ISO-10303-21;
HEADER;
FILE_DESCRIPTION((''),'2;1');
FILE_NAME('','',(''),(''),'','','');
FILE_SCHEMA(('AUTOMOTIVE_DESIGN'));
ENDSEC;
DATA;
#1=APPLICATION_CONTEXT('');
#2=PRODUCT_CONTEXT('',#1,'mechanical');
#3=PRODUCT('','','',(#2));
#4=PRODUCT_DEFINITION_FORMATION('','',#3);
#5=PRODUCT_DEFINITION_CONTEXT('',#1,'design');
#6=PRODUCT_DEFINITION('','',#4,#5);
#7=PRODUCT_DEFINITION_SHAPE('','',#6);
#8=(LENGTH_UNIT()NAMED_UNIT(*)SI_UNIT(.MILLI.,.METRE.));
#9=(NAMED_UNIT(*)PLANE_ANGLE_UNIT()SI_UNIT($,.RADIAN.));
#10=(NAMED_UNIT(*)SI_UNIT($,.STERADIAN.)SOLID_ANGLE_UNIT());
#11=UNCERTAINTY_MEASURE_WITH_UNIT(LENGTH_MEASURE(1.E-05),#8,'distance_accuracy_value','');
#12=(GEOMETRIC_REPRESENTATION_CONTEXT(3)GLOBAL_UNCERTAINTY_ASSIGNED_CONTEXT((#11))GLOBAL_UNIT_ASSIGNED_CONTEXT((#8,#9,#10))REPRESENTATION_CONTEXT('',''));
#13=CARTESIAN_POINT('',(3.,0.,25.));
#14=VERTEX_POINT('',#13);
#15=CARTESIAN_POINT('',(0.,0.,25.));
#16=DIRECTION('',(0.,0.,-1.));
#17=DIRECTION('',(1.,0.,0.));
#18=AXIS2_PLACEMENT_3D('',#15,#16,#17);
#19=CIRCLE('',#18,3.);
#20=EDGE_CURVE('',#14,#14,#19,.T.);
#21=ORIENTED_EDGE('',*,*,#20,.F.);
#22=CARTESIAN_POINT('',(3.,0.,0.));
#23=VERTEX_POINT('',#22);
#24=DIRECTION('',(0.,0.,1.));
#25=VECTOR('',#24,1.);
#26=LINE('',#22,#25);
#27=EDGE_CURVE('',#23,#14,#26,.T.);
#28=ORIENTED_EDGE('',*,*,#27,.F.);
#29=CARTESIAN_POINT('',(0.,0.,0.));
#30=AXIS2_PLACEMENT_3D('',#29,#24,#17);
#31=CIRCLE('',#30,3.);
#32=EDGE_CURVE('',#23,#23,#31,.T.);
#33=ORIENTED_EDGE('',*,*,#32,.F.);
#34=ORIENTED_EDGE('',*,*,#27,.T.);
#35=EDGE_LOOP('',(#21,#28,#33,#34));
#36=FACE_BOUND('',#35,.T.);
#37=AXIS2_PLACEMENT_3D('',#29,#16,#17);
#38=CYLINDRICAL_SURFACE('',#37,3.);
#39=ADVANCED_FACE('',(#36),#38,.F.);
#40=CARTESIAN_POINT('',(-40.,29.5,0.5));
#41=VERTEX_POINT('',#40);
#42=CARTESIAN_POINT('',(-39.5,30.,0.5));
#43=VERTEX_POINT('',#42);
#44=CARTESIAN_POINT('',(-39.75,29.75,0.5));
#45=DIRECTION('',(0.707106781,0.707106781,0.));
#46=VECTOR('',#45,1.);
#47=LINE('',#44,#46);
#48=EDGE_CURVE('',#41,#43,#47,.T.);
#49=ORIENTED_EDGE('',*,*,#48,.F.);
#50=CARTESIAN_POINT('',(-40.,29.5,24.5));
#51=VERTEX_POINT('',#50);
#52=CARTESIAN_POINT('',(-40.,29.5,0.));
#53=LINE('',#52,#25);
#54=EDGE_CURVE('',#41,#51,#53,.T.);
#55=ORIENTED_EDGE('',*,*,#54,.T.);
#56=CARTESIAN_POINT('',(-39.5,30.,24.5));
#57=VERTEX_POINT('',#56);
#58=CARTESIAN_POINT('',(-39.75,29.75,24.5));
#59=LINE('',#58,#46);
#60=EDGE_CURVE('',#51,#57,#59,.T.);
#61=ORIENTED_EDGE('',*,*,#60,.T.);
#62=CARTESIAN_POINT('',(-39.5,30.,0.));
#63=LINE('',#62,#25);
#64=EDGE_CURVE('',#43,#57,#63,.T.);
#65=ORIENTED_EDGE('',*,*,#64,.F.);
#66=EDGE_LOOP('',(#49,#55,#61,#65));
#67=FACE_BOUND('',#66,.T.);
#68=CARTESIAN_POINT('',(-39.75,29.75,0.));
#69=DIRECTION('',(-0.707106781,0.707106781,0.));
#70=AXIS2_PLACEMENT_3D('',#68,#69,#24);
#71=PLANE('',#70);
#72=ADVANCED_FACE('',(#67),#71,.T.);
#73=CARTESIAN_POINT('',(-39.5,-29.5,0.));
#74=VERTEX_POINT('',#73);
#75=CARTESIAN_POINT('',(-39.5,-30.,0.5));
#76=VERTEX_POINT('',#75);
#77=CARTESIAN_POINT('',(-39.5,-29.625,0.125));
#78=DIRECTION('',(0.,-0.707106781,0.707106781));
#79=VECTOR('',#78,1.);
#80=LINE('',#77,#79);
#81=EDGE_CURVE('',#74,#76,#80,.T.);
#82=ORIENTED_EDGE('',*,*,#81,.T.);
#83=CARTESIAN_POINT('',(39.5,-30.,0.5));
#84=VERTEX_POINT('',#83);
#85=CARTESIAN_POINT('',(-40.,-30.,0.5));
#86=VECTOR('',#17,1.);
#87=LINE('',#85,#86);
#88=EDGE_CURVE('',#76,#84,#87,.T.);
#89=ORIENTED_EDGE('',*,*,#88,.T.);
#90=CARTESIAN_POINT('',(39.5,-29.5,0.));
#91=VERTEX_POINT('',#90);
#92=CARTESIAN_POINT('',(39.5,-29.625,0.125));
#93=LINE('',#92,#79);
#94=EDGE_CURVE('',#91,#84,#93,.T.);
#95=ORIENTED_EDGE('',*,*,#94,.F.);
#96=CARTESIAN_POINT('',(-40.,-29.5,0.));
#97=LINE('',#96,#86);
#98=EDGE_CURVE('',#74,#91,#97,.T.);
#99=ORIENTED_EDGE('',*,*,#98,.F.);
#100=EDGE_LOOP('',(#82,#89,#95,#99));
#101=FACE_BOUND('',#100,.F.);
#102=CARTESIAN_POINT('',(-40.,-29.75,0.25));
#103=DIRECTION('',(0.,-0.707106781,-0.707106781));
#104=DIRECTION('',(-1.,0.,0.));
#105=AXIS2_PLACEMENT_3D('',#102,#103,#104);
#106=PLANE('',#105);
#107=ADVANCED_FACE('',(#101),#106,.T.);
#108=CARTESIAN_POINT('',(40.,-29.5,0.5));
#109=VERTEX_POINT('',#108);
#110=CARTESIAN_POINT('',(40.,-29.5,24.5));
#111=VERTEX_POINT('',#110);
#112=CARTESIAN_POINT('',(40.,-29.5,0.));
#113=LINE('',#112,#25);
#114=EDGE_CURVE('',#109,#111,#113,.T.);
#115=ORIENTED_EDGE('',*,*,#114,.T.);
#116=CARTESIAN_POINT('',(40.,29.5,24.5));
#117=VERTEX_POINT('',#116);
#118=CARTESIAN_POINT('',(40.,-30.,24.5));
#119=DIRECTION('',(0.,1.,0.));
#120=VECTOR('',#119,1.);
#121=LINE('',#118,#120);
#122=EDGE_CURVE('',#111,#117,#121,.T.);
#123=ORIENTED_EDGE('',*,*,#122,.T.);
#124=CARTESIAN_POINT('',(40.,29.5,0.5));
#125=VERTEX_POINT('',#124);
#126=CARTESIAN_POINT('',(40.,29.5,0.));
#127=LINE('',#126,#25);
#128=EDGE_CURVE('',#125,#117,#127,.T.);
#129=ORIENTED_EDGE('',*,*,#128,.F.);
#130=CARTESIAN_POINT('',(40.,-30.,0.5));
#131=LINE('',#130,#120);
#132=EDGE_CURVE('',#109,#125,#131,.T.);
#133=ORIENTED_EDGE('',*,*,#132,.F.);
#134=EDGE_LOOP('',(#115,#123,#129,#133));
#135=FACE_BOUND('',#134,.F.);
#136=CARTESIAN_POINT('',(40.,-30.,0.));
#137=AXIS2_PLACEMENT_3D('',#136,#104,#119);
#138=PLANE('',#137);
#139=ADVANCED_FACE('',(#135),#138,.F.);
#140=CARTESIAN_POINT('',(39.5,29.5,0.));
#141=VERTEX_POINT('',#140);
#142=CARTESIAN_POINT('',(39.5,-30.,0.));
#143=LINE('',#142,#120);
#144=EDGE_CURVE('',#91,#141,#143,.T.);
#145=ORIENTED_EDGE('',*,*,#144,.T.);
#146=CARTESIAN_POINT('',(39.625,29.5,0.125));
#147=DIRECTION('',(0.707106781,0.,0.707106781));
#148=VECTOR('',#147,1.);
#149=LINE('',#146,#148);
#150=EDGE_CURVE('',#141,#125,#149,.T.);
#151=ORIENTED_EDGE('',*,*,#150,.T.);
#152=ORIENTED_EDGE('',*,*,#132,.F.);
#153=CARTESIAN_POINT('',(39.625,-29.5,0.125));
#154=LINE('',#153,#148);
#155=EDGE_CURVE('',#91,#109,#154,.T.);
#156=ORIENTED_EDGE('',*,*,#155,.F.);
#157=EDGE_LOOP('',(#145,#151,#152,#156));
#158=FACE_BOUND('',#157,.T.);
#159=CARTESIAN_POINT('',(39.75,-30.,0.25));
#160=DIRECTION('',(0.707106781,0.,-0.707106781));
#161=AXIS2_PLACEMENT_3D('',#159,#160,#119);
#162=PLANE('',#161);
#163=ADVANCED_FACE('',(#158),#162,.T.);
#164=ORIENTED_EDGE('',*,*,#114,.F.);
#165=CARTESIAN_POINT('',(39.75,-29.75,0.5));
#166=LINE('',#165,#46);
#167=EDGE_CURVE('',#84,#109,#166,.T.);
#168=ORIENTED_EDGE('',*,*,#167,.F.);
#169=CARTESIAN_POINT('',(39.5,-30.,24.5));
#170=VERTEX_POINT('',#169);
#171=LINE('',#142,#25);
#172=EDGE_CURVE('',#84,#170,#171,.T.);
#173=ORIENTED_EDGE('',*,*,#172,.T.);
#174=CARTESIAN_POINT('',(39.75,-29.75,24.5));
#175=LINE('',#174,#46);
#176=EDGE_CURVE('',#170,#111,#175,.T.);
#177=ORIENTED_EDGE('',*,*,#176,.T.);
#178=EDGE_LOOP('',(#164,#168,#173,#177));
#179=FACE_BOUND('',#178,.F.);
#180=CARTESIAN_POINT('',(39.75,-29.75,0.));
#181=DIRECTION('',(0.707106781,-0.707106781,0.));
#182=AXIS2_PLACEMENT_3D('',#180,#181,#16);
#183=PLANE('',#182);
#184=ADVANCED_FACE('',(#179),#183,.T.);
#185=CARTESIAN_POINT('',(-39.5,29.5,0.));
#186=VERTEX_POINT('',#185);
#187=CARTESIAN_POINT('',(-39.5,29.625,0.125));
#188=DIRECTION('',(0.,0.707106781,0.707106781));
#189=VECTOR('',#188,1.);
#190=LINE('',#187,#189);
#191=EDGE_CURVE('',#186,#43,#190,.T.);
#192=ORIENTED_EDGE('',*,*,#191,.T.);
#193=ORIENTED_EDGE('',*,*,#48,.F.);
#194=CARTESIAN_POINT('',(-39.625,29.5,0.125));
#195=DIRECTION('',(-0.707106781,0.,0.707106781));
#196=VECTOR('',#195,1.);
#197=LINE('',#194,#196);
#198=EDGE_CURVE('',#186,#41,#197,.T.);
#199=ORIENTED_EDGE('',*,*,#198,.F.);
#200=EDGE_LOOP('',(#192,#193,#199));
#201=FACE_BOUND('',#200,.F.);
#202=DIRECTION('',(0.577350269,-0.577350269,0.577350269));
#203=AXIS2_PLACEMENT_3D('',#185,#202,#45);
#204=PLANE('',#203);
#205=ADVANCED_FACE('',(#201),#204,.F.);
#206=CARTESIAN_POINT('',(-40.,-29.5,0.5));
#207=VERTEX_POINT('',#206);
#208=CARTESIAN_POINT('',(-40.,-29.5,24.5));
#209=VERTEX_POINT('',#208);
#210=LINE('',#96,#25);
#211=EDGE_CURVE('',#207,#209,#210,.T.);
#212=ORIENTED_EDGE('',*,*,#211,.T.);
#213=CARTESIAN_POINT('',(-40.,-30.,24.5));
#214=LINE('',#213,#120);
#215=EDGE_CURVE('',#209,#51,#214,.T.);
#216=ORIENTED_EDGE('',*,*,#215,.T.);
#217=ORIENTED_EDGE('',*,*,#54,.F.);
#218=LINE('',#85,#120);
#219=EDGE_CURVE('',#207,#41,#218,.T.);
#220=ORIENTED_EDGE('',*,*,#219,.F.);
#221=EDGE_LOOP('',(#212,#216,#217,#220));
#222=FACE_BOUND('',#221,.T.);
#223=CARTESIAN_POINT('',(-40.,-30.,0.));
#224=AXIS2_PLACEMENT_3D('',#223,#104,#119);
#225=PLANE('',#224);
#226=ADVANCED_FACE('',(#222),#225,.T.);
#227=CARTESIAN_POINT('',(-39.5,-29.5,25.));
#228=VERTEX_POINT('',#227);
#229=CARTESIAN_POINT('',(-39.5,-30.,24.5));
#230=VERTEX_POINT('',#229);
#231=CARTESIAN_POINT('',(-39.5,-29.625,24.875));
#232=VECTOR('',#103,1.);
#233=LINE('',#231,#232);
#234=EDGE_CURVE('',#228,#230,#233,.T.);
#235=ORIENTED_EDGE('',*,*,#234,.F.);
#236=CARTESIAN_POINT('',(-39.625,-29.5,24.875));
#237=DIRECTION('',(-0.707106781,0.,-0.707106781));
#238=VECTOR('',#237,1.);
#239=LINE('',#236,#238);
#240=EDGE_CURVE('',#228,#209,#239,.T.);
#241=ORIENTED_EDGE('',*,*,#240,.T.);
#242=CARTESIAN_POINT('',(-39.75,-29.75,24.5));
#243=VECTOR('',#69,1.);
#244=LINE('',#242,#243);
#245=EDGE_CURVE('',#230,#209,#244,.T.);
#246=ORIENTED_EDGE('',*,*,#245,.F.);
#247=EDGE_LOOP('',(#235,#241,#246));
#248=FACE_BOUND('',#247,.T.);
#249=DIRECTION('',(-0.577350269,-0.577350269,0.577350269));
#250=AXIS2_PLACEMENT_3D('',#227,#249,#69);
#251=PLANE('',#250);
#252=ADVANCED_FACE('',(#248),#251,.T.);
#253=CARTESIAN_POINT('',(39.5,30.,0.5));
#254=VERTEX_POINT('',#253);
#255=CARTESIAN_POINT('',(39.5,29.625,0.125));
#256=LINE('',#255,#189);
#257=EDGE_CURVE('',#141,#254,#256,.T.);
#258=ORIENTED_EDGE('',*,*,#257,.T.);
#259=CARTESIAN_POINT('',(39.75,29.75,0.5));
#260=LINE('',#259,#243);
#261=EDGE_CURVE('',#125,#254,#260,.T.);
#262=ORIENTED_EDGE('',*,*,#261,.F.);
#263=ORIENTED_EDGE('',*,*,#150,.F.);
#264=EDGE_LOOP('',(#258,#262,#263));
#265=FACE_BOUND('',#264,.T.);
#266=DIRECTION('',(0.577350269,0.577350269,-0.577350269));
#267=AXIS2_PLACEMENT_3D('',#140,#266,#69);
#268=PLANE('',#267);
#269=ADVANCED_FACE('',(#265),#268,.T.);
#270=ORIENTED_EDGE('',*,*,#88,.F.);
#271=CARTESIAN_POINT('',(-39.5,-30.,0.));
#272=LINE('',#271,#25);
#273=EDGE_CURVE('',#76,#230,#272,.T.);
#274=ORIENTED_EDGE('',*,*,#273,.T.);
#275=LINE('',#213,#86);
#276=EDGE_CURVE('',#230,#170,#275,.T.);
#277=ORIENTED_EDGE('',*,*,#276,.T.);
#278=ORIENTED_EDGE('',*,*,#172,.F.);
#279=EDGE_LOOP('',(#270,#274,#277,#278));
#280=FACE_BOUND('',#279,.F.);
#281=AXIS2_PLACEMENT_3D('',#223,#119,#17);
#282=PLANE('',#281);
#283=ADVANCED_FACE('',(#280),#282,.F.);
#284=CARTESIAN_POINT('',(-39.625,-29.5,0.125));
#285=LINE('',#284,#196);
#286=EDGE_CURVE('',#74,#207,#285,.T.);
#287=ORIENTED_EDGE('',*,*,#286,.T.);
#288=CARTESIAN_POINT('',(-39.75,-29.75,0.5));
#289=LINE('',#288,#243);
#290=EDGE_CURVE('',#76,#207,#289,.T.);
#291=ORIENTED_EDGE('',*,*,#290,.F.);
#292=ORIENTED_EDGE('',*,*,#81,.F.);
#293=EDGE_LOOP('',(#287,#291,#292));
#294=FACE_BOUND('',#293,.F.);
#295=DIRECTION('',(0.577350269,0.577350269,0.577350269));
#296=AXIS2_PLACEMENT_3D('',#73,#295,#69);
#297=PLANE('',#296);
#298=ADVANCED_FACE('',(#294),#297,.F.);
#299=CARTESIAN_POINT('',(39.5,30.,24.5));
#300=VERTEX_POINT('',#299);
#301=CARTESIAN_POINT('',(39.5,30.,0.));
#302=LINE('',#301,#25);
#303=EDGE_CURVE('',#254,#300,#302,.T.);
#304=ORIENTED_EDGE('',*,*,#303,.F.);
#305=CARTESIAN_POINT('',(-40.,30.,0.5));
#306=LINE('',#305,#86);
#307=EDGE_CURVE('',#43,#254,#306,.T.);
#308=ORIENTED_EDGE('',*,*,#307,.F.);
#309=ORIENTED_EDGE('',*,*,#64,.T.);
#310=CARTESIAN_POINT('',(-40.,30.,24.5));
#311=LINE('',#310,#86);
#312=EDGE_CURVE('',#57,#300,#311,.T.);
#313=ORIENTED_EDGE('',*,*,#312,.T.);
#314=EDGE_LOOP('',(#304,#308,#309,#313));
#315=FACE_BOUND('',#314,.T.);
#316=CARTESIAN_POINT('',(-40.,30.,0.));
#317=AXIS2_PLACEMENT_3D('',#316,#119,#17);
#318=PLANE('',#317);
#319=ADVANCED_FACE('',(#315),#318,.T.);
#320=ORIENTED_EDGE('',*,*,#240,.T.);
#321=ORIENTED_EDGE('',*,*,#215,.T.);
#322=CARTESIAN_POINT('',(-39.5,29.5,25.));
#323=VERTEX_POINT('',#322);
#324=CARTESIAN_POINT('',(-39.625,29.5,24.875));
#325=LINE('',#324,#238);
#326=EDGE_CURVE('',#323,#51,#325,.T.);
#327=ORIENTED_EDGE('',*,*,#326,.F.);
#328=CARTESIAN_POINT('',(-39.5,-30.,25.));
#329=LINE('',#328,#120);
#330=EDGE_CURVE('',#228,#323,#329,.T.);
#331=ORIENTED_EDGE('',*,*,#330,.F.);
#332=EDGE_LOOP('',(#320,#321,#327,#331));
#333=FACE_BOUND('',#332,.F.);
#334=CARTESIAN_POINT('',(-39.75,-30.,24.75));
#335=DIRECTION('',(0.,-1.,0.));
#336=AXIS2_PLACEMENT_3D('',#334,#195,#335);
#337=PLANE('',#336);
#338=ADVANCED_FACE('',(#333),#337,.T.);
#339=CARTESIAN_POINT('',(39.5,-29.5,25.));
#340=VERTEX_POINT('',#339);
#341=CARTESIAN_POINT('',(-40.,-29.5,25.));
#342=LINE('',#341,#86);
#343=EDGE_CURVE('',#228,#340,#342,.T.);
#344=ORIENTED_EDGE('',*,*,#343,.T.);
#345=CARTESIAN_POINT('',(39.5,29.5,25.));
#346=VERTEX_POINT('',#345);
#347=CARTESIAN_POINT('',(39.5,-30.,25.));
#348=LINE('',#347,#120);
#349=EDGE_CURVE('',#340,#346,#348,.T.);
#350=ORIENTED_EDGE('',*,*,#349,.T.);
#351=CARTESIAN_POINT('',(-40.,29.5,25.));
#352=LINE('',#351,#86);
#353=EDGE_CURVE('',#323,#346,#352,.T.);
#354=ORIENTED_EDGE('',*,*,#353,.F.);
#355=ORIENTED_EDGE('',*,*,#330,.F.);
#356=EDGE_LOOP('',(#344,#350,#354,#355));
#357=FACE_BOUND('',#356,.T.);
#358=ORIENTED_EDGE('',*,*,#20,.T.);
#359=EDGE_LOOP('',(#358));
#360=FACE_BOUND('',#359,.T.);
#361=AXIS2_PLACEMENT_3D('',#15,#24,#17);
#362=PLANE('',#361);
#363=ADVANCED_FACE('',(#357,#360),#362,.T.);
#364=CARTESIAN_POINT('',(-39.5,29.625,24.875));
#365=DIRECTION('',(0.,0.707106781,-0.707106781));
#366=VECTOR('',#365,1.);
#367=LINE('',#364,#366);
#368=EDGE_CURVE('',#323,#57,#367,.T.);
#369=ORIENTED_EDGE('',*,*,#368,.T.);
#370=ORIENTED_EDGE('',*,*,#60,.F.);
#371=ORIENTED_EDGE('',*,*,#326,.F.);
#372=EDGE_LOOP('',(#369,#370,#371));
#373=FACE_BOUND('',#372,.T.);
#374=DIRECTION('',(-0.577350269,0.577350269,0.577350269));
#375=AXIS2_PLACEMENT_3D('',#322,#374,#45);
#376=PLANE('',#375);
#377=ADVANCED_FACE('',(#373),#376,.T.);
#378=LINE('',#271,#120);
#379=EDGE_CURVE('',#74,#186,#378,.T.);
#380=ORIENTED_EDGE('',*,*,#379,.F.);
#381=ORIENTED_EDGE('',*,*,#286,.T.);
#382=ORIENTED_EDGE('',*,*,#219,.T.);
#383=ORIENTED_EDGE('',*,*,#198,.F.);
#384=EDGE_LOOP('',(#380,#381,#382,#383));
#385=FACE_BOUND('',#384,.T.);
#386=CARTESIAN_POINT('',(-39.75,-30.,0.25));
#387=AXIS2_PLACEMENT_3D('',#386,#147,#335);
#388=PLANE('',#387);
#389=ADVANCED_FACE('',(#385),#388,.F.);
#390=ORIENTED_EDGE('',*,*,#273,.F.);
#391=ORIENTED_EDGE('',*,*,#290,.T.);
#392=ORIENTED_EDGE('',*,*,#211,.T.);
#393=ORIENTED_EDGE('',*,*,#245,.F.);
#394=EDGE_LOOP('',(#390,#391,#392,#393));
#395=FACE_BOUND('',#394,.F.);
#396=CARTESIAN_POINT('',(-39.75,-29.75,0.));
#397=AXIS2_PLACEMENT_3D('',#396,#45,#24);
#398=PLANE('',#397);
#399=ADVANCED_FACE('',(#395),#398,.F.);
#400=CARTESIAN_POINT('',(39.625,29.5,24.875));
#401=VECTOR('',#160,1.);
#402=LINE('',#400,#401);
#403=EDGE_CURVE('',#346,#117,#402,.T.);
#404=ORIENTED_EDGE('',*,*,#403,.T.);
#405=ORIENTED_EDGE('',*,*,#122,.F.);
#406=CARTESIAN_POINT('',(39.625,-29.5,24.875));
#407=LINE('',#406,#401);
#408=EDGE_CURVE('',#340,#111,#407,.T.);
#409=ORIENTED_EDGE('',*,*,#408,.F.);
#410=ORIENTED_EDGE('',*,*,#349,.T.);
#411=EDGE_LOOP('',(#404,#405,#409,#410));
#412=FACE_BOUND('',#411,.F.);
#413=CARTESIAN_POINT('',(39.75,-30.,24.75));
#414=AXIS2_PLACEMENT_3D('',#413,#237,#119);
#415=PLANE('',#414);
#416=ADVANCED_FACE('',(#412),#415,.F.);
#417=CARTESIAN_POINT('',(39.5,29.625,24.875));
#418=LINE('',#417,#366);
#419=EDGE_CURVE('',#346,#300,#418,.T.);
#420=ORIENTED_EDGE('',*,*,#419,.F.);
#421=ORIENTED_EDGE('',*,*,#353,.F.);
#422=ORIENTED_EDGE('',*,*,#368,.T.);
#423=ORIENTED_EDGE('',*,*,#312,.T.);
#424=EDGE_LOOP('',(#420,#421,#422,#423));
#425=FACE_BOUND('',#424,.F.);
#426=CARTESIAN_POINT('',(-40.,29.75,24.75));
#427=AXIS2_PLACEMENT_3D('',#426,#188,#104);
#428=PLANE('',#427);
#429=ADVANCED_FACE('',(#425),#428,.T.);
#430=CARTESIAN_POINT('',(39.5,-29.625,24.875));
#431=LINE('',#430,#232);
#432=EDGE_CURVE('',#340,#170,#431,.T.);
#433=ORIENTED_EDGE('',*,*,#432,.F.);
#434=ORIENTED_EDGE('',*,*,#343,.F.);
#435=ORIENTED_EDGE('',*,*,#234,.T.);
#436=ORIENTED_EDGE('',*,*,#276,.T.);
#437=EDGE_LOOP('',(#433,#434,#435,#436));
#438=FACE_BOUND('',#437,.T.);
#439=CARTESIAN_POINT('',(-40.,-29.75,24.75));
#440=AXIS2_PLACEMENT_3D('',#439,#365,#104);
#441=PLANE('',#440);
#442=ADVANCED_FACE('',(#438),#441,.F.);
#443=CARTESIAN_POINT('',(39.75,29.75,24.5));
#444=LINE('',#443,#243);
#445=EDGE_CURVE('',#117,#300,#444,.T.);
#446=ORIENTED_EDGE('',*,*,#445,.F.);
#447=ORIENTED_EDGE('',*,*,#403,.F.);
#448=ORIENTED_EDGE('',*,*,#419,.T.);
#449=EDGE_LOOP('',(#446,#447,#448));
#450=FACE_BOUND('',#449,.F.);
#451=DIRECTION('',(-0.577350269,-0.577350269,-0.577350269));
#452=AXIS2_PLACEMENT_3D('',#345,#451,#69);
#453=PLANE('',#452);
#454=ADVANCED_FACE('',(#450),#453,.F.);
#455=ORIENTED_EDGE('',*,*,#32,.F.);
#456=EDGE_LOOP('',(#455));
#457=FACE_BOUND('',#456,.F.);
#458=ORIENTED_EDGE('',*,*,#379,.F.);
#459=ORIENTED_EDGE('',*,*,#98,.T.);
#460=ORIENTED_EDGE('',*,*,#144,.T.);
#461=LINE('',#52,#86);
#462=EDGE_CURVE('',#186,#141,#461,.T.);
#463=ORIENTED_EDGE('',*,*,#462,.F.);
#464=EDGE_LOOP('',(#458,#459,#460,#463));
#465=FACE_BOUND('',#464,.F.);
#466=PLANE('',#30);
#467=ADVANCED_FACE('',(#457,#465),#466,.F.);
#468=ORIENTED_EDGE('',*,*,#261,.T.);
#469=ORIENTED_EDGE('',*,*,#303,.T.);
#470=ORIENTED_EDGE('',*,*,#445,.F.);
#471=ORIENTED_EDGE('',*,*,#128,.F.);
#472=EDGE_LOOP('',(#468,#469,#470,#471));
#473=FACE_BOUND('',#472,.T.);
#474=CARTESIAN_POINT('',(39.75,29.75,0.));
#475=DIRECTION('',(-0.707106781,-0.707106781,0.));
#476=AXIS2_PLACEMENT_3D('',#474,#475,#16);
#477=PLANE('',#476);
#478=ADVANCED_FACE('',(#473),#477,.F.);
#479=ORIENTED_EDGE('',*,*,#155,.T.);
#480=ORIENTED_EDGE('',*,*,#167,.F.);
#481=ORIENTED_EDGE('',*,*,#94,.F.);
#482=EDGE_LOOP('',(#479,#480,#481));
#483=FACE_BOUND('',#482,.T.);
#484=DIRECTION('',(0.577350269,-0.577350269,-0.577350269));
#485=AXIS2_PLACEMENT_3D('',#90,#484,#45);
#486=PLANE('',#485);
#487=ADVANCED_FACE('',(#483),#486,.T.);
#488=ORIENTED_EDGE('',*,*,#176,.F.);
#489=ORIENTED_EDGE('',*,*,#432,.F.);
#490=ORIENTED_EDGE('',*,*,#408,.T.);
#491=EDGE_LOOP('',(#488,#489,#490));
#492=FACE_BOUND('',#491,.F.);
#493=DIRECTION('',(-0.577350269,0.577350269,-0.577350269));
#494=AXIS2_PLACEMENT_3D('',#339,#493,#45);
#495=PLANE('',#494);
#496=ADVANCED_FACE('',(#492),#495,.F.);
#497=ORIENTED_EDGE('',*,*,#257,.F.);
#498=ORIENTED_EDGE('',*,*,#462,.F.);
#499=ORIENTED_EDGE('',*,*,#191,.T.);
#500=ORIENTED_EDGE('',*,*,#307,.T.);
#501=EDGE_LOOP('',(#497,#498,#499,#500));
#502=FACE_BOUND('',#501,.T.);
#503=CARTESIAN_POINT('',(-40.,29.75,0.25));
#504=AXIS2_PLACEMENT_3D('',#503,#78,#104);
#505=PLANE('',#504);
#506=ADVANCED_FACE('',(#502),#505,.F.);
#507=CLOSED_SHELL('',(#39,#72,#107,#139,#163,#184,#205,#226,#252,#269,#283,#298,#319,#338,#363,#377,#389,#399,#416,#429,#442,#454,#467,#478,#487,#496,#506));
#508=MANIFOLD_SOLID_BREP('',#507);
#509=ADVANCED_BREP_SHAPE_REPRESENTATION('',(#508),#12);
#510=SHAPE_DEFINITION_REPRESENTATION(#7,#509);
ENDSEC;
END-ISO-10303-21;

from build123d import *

# Parameters (mm, degrees)
SKETCH_W     = 80
SKETCH_H     = 60
PAD_DEPTH    = 25
SKETCH001_R  = 3
POCKET_DEPTH = 25.001
CHAMFER_SIZE = 0.5


with BuildPart() as part:
    # Sketch → Pad (new body)
    with BuildSketch(Plane.XY):
        Rectangle(SKETCH_W, SKETCH_H)
    extrude(amount=PAD_DEPTH)

    # Sketch001 → Pocket (cut, through all)
    with BuildSketch(Plane.XY):
        Circle(SKETCH001_R)
    extrude(amount=POCKET_DEPTH, mode=Mode.SUBTRACT)

    # Chamfer
    chamfer_edges = [part.edges().sort_by_distance(p)[0] for p in [
        (-40, -30, 12.5),
        (40, -30, 12.5),
        (0, -30, 0),
        (0, -30, 25),
        (40, 30, 12.5),
        (40, 0, 0),
        (40, 0, 25),
        (-40, 30, 12.5),
        (-40, 0, 0),
        (-40, 0, 25),
        (0, 30, 0),
        (0, 30, 25),
    ]]
    chamfer(chamfer_edges, length=CHAMFER_SIZE)


solid = part.part
